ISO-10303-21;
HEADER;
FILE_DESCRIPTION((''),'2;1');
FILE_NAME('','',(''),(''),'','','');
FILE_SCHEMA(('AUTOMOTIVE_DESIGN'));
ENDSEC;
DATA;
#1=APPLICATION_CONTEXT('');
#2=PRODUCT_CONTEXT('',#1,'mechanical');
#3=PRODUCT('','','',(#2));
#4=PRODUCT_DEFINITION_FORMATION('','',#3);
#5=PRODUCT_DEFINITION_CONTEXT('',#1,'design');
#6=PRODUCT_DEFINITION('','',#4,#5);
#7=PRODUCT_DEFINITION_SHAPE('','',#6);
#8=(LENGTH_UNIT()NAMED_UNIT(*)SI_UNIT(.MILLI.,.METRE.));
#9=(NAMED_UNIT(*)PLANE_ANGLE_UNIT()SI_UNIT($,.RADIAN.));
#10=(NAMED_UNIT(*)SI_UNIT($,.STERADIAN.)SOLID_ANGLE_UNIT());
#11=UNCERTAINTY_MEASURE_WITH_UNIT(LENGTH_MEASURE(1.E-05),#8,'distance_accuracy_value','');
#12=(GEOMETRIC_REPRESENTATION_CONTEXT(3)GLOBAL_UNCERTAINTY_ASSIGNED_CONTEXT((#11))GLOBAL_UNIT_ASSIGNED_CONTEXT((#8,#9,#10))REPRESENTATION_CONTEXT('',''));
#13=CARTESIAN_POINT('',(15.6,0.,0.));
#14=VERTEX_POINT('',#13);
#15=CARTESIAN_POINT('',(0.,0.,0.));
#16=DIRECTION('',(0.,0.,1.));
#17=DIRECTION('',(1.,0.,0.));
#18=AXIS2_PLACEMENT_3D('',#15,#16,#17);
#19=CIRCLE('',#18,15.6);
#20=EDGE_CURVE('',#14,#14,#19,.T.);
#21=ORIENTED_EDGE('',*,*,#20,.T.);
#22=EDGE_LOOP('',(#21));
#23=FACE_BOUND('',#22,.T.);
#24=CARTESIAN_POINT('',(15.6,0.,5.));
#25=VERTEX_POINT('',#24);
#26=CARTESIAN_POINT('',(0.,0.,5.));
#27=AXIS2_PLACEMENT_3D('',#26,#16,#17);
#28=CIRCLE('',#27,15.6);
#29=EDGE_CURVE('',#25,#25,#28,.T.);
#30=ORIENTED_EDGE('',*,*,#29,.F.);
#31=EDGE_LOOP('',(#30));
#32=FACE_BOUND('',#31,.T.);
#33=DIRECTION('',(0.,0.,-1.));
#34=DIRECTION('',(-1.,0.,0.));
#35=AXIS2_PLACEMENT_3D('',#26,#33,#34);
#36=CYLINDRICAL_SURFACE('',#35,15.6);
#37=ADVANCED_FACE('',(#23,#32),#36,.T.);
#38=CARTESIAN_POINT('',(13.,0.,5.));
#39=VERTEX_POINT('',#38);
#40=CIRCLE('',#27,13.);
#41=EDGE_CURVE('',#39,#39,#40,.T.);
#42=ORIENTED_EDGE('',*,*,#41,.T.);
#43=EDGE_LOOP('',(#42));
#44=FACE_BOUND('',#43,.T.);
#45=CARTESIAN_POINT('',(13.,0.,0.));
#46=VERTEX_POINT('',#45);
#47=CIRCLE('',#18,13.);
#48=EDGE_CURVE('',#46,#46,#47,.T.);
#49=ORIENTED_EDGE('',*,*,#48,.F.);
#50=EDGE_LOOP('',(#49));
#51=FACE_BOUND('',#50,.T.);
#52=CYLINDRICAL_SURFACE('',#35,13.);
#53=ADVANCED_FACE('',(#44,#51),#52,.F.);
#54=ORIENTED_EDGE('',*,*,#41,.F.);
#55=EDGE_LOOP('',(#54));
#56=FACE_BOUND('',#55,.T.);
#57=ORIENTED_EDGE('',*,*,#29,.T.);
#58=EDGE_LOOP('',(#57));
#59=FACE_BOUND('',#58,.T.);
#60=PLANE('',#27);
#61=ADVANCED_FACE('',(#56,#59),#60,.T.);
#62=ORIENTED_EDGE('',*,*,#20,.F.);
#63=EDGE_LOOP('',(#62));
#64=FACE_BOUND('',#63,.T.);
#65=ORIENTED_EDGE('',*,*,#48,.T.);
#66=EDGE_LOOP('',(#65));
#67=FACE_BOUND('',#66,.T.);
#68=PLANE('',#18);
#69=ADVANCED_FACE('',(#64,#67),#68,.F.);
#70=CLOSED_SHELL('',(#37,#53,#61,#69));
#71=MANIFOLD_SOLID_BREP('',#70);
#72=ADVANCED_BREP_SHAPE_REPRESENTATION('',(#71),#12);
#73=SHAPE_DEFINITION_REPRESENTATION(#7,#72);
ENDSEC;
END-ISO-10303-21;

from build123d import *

# Parameters (mm, degrees)
CROQUIS1_R              = 15.6
CROQUIS1_R_2            = 13
SALIENTE_EXTRUIR1_DEPTH = 5


with BuildPart() as part:
    # Croquis1 → Saliente-Extruir1 (new body)
    with BuildSketch(Plane.XY):
        Circle(CROQUIS1_R)
        Circle(CROQUIS1_R_2, mode=Mode.SUBTRACT)
    extrude(amount=SALIENTE_EXTRUIR1_DEPTH)


solid = part.part
